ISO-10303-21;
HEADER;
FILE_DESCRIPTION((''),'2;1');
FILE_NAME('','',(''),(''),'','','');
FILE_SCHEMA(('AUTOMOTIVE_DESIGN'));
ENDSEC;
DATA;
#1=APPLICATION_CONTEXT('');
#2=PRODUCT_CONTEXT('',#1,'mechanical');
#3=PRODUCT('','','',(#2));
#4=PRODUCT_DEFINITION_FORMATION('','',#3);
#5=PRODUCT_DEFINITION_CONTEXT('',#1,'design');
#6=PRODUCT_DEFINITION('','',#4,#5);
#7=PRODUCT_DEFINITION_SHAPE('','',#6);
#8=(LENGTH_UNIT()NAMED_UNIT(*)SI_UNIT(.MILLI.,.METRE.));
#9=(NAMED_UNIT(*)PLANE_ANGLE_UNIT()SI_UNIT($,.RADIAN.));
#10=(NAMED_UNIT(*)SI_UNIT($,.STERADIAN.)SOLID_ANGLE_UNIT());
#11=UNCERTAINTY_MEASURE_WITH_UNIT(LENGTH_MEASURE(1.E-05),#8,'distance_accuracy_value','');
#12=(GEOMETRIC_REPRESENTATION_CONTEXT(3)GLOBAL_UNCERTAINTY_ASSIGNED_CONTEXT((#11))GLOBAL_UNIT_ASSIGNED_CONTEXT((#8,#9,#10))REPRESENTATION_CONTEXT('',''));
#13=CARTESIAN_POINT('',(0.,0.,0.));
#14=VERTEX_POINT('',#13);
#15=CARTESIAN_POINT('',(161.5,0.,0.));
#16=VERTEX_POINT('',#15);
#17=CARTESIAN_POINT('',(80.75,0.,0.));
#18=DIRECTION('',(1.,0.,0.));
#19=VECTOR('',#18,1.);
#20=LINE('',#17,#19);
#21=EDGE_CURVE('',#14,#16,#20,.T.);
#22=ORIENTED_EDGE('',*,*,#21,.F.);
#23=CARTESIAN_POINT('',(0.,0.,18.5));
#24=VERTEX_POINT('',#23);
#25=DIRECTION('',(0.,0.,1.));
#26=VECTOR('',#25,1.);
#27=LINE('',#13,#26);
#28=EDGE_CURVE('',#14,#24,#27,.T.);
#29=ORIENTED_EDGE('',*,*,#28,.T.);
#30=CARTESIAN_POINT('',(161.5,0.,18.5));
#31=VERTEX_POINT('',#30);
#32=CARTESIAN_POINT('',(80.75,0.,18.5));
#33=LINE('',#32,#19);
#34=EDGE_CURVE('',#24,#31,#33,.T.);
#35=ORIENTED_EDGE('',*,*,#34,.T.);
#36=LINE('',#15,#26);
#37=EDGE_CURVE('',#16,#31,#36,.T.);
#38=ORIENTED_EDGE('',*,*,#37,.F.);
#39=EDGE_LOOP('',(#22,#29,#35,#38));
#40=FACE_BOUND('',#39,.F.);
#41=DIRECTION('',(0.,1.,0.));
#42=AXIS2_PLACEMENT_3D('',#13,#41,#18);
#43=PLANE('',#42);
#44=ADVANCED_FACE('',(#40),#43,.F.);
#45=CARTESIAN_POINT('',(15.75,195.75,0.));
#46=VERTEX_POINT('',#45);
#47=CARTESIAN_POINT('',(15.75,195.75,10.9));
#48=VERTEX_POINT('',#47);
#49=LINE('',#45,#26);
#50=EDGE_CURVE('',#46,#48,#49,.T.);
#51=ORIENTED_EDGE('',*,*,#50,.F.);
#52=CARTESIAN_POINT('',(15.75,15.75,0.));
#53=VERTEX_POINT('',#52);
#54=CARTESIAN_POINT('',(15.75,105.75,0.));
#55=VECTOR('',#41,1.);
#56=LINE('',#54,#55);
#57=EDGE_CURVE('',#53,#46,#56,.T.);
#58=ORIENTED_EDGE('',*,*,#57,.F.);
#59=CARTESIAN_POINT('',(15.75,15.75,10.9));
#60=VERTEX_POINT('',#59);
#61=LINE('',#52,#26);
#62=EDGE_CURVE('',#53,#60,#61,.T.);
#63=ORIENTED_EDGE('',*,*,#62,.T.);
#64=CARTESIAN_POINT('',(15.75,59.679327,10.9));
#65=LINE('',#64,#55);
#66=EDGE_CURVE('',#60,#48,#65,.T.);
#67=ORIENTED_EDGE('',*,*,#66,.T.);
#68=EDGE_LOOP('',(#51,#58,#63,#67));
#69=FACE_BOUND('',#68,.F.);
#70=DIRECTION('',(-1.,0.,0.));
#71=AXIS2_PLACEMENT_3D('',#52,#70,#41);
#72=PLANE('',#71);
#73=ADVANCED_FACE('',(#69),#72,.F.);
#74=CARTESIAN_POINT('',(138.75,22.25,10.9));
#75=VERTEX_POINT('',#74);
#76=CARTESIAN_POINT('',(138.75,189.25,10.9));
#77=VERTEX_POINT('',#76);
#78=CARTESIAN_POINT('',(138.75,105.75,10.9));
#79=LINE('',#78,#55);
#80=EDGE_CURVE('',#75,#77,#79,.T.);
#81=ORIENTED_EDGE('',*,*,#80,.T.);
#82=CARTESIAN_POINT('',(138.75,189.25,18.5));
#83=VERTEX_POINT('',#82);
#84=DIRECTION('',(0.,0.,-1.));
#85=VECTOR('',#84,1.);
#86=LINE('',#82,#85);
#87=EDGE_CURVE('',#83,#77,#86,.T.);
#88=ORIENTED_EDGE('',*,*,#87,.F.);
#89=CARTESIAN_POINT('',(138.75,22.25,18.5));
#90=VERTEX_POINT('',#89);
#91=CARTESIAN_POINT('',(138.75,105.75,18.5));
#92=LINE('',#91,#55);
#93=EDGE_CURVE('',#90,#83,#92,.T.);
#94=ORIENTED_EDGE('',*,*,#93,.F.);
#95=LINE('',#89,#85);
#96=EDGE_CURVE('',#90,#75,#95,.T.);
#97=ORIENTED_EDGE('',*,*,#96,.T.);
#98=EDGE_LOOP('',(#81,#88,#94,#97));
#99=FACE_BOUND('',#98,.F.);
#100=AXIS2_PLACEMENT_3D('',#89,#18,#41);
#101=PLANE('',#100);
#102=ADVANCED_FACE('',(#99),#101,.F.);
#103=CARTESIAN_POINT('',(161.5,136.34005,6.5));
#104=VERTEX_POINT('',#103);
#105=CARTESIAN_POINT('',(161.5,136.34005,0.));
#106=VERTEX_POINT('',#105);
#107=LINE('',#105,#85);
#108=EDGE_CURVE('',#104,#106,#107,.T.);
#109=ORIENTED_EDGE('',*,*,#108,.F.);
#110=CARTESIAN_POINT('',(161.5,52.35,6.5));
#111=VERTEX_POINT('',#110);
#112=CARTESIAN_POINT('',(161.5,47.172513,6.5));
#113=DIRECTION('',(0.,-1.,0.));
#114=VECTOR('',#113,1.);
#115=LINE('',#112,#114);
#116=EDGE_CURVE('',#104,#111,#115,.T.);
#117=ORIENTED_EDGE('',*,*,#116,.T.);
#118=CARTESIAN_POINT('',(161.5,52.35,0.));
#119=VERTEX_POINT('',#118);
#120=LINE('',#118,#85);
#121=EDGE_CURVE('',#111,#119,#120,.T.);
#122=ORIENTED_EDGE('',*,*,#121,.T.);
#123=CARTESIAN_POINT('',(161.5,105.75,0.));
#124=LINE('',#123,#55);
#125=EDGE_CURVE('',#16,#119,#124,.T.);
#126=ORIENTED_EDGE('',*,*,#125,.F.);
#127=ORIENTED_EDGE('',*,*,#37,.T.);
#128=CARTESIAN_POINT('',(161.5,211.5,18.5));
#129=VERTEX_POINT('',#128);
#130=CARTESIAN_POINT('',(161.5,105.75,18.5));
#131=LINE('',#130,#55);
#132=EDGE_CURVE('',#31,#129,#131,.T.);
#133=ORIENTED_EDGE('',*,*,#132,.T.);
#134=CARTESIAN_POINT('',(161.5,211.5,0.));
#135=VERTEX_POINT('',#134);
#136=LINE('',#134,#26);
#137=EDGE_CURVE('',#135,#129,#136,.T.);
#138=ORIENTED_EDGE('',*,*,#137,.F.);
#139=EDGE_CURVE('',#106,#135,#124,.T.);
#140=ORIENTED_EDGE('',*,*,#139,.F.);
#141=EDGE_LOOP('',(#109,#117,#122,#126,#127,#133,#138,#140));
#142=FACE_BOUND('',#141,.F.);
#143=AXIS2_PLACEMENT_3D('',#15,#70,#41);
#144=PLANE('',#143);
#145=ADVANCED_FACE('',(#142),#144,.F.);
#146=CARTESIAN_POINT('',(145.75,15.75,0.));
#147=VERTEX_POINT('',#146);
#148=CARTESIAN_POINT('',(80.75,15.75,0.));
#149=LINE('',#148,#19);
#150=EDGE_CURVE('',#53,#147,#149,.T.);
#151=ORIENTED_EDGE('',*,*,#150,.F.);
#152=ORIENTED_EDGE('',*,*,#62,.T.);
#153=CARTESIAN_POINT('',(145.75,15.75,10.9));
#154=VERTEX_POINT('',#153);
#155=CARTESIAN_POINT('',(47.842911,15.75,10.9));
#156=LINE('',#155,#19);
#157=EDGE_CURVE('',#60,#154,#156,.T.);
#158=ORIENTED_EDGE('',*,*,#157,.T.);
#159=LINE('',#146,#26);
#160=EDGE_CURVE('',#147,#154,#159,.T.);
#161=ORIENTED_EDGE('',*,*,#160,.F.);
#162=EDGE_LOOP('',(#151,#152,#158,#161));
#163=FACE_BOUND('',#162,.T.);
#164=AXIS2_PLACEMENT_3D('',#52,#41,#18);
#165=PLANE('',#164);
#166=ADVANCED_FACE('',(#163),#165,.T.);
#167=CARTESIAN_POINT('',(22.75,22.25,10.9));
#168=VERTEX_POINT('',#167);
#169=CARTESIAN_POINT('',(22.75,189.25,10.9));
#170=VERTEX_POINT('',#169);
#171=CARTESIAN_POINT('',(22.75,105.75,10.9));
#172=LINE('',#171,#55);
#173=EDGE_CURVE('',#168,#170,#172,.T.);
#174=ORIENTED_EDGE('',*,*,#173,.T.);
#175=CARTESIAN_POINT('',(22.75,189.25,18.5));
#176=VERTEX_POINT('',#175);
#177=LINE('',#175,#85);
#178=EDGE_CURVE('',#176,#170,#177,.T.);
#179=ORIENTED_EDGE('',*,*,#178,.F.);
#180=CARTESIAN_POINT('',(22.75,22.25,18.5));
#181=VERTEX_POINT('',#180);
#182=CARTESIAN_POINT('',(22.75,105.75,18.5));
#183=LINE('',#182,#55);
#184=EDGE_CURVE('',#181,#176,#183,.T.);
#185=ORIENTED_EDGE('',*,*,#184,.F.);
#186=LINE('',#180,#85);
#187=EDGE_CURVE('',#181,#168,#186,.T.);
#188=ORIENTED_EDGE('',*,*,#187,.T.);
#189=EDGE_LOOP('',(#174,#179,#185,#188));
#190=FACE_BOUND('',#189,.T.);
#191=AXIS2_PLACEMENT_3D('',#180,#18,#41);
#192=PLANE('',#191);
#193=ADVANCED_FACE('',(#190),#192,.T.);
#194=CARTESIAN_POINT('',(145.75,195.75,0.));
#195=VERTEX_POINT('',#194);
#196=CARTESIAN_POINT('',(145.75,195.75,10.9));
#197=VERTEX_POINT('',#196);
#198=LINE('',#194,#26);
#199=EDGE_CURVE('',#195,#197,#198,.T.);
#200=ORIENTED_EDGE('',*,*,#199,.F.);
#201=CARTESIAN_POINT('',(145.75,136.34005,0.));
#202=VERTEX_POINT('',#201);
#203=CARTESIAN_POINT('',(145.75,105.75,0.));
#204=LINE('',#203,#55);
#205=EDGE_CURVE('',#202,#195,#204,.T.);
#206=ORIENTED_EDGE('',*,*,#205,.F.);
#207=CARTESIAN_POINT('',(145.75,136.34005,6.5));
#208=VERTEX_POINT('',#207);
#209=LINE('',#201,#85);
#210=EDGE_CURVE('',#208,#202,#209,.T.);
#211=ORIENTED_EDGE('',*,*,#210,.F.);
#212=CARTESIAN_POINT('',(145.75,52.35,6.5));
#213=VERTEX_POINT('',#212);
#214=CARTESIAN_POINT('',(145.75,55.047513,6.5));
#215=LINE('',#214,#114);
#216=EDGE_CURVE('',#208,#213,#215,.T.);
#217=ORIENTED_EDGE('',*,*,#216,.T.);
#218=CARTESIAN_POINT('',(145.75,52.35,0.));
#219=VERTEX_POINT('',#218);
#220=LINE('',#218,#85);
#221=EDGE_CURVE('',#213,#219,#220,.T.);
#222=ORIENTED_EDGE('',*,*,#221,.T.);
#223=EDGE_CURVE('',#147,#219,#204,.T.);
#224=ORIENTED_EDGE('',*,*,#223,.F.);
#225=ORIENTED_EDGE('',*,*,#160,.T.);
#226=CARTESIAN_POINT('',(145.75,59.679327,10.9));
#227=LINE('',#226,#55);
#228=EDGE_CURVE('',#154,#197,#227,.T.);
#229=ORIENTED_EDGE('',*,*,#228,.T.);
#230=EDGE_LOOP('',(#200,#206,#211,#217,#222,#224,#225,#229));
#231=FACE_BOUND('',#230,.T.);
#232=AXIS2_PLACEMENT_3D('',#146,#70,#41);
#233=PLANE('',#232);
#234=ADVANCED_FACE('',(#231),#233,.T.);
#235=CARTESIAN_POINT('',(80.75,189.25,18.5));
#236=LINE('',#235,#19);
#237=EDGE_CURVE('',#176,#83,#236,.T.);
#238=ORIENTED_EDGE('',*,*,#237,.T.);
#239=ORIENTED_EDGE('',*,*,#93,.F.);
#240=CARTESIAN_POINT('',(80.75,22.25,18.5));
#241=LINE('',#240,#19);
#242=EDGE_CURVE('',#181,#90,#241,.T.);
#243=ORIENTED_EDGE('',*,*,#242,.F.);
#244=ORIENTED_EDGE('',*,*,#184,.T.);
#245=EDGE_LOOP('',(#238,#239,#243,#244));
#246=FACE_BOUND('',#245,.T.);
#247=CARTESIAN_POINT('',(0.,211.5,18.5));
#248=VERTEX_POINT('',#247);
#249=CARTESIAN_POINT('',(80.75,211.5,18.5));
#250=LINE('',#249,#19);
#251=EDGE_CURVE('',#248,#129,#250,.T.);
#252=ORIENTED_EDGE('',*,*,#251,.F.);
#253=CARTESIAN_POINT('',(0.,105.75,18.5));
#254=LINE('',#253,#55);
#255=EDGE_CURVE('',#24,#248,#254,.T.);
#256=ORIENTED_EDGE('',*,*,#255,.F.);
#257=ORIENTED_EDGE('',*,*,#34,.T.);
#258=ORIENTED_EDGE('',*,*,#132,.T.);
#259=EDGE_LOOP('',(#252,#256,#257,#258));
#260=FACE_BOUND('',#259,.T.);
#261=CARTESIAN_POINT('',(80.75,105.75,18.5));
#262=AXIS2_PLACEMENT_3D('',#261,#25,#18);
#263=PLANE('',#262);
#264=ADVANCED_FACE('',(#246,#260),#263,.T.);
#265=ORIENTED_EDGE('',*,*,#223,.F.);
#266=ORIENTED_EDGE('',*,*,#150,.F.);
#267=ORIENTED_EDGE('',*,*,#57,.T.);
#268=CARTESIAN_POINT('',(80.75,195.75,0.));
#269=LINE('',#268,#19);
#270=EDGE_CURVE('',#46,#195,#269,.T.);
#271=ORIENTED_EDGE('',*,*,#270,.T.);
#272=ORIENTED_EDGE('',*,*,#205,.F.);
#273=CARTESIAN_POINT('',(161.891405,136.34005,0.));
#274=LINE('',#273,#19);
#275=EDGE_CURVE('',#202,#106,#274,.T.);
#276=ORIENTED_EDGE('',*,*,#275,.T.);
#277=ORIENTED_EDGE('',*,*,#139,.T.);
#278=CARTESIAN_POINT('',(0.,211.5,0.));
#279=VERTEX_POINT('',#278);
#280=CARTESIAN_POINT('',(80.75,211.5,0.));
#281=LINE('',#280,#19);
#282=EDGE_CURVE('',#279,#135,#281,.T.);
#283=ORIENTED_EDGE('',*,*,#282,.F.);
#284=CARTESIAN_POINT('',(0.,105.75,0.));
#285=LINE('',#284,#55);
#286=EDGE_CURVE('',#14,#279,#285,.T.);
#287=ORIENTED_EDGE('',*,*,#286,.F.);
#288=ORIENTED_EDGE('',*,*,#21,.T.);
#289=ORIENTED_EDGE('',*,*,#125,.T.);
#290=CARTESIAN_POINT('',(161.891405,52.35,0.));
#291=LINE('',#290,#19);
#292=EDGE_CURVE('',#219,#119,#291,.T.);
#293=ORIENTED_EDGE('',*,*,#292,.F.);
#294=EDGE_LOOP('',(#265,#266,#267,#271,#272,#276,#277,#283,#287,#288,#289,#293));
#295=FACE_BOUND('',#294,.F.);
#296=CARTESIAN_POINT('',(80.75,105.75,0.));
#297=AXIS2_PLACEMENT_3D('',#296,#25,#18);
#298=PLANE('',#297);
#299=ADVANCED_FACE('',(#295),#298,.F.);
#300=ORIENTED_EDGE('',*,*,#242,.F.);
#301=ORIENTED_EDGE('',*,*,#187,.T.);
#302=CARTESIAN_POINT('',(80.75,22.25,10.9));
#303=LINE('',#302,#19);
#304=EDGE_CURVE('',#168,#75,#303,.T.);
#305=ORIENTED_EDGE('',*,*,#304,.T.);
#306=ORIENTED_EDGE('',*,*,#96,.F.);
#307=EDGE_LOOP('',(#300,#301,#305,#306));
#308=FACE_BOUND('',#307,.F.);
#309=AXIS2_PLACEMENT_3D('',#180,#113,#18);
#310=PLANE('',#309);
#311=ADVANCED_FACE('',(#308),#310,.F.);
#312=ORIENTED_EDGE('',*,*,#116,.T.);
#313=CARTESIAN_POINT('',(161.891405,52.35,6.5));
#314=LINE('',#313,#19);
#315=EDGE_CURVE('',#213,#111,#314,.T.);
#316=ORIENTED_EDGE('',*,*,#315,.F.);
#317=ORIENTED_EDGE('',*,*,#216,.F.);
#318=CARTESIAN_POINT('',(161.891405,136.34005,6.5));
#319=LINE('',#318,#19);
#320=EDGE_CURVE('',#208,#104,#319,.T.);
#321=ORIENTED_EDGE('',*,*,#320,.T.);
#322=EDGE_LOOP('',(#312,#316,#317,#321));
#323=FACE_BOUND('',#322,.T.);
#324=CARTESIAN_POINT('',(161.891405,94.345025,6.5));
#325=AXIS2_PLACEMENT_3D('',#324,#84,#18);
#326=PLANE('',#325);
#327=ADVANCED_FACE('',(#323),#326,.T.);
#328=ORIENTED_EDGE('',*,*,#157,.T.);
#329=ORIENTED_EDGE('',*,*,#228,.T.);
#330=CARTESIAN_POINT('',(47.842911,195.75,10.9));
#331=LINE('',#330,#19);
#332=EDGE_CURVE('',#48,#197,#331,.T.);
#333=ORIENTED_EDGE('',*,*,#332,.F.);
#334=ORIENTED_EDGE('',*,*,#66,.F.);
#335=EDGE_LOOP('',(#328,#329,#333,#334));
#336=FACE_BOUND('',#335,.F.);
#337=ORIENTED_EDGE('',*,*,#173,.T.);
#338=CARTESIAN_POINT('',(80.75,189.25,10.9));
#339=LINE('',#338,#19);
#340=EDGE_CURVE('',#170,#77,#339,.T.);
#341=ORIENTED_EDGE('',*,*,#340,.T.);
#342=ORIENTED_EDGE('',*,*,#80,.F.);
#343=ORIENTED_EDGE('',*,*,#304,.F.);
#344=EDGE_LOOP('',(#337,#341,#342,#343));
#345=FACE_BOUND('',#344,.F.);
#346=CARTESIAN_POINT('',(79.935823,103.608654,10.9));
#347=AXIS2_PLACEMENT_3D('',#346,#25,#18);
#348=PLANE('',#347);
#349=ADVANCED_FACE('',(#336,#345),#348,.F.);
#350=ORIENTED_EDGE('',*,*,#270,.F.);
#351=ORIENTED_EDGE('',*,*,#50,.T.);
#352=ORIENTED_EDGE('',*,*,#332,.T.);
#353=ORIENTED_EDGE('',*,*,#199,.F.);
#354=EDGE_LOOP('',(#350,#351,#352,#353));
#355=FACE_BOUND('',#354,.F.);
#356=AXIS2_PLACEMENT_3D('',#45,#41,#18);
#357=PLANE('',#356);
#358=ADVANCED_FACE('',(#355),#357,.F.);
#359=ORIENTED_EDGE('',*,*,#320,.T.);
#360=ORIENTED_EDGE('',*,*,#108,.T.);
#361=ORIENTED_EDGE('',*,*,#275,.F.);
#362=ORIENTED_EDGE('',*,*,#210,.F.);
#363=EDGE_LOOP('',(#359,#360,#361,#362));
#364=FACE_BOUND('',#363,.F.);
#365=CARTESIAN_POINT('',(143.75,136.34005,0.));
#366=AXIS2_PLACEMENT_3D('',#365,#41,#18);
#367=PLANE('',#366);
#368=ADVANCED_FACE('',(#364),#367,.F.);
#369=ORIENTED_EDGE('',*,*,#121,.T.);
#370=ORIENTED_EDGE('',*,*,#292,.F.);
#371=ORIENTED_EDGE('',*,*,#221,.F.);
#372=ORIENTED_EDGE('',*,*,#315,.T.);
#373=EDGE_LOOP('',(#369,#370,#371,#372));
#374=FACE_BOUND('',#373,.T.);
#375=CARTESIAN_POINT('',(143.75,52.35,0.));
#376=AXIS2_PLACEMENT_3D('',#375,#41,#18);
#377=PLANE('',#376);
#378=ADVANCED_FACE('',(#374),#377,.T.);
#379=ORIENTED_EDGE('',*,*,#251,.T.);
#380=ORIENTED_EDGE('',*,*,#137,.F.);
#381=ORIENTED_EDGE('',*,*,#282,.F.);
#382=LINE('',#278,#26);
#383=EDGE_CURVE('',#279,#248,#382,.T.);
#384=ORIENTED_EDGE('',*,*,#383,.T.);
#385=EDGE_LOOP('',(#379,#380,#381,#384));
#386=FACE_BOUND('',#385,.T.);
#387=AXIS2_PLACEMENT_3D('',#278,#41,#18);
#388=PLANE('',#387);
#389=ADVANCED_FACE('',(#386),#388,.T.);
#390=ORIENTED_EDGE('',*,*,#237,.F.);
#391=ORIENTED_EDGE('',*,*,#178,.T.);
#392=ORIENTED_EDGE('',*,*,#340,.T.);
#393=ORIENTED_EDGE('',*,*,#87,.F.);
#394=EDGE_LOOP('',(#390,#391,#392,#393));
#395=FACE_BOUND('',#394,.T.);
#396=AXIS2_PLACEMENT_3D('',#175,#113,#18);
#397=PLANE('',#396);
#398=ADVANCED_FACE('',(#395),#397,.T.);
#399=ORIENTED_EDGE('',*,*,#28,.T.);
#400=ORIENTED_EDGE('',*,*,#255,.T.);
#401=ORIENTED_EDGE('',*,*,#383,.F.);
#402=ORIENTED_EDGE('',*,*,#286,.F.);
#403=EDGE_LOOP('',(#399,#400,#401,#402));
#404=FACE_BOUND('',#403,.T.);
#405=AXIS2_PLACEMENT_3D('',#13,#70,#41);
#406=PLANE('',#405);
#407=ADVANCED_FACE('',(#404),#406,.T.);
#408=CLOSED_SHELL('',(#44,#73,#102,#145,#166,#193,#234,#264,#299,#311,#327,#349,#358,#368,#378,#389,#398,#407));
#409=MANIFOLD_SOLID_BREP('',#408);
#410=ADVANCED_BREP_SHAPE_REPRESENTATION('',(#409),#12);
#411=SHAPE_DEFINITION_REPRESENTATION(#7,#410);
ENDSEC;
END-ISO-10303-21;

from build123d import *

# Parameters (mm, degrees)
SKETCH003_W     = 161.5
SKETCH003_H     = 211.5
SKETCH003_W_2   = 130
SKETCH003_H_2   = 180
PAD002_DEPTH    = 18.5
SKETCH004_W     = 142.953762
SKETCH004_H     = 192.038153
SKETCH004_W_2   = 116
SKETCH004_H_2   = 167
PAD003_DEPTH    = 7.6
SKETCH011_W     = 36.28281
SKETCH011_H     = 83.99005
POCKET002_DEPTH = 6.5


with BuildPart() as part:
    # Sketch003 (on XY_Plane031 of Origin062) → Pad002 (new body)
    with BuildSketch(Plane.XY):
        with Locations((80.75, 105.75)):
            Rectangle(SKETCH003_W, SKETCH003_H)
        with Locations((80.75, 105.75)):
            Rectangle(SKETCH003_W_2, SKETCH003_H_2, mode=Mode.SUBTRACT)
    extrude(amount=PAD002_DEPTH)

    # Sketch004 (on Face10 of Pad002) → Pad003 (join)
    with BuildSketch(Plane.XY.offset(18.5)):
        with Locations((79.935823, 103.608654)):
            Rectangle(SKETCH004_W, SKETCH004_H)
        with Locations((80.75, 105.75)):
            Rectangle(SKETCH004_W_2, SKETCH004_H_2, mode=Mode.SUBTRACT)
    extrude(amount=-PAD003_DEPTH)

    # Sketch011 (on Face4 of Pad003) → Pocket002 (cut)
    with BuildSketch(Plane(origin=(0, 0, 0), x_dir=(1, 0, 0), z_dir=(0, 0, -1))):
        with Locations((161.891405, -94.345025)):
            Rectangle(SKETCH011_W, SKETCH011_H)
    extrude(amount=-POCKET002_DEPTH, mode=Mode.SUBTRACT)


solid = part.part
